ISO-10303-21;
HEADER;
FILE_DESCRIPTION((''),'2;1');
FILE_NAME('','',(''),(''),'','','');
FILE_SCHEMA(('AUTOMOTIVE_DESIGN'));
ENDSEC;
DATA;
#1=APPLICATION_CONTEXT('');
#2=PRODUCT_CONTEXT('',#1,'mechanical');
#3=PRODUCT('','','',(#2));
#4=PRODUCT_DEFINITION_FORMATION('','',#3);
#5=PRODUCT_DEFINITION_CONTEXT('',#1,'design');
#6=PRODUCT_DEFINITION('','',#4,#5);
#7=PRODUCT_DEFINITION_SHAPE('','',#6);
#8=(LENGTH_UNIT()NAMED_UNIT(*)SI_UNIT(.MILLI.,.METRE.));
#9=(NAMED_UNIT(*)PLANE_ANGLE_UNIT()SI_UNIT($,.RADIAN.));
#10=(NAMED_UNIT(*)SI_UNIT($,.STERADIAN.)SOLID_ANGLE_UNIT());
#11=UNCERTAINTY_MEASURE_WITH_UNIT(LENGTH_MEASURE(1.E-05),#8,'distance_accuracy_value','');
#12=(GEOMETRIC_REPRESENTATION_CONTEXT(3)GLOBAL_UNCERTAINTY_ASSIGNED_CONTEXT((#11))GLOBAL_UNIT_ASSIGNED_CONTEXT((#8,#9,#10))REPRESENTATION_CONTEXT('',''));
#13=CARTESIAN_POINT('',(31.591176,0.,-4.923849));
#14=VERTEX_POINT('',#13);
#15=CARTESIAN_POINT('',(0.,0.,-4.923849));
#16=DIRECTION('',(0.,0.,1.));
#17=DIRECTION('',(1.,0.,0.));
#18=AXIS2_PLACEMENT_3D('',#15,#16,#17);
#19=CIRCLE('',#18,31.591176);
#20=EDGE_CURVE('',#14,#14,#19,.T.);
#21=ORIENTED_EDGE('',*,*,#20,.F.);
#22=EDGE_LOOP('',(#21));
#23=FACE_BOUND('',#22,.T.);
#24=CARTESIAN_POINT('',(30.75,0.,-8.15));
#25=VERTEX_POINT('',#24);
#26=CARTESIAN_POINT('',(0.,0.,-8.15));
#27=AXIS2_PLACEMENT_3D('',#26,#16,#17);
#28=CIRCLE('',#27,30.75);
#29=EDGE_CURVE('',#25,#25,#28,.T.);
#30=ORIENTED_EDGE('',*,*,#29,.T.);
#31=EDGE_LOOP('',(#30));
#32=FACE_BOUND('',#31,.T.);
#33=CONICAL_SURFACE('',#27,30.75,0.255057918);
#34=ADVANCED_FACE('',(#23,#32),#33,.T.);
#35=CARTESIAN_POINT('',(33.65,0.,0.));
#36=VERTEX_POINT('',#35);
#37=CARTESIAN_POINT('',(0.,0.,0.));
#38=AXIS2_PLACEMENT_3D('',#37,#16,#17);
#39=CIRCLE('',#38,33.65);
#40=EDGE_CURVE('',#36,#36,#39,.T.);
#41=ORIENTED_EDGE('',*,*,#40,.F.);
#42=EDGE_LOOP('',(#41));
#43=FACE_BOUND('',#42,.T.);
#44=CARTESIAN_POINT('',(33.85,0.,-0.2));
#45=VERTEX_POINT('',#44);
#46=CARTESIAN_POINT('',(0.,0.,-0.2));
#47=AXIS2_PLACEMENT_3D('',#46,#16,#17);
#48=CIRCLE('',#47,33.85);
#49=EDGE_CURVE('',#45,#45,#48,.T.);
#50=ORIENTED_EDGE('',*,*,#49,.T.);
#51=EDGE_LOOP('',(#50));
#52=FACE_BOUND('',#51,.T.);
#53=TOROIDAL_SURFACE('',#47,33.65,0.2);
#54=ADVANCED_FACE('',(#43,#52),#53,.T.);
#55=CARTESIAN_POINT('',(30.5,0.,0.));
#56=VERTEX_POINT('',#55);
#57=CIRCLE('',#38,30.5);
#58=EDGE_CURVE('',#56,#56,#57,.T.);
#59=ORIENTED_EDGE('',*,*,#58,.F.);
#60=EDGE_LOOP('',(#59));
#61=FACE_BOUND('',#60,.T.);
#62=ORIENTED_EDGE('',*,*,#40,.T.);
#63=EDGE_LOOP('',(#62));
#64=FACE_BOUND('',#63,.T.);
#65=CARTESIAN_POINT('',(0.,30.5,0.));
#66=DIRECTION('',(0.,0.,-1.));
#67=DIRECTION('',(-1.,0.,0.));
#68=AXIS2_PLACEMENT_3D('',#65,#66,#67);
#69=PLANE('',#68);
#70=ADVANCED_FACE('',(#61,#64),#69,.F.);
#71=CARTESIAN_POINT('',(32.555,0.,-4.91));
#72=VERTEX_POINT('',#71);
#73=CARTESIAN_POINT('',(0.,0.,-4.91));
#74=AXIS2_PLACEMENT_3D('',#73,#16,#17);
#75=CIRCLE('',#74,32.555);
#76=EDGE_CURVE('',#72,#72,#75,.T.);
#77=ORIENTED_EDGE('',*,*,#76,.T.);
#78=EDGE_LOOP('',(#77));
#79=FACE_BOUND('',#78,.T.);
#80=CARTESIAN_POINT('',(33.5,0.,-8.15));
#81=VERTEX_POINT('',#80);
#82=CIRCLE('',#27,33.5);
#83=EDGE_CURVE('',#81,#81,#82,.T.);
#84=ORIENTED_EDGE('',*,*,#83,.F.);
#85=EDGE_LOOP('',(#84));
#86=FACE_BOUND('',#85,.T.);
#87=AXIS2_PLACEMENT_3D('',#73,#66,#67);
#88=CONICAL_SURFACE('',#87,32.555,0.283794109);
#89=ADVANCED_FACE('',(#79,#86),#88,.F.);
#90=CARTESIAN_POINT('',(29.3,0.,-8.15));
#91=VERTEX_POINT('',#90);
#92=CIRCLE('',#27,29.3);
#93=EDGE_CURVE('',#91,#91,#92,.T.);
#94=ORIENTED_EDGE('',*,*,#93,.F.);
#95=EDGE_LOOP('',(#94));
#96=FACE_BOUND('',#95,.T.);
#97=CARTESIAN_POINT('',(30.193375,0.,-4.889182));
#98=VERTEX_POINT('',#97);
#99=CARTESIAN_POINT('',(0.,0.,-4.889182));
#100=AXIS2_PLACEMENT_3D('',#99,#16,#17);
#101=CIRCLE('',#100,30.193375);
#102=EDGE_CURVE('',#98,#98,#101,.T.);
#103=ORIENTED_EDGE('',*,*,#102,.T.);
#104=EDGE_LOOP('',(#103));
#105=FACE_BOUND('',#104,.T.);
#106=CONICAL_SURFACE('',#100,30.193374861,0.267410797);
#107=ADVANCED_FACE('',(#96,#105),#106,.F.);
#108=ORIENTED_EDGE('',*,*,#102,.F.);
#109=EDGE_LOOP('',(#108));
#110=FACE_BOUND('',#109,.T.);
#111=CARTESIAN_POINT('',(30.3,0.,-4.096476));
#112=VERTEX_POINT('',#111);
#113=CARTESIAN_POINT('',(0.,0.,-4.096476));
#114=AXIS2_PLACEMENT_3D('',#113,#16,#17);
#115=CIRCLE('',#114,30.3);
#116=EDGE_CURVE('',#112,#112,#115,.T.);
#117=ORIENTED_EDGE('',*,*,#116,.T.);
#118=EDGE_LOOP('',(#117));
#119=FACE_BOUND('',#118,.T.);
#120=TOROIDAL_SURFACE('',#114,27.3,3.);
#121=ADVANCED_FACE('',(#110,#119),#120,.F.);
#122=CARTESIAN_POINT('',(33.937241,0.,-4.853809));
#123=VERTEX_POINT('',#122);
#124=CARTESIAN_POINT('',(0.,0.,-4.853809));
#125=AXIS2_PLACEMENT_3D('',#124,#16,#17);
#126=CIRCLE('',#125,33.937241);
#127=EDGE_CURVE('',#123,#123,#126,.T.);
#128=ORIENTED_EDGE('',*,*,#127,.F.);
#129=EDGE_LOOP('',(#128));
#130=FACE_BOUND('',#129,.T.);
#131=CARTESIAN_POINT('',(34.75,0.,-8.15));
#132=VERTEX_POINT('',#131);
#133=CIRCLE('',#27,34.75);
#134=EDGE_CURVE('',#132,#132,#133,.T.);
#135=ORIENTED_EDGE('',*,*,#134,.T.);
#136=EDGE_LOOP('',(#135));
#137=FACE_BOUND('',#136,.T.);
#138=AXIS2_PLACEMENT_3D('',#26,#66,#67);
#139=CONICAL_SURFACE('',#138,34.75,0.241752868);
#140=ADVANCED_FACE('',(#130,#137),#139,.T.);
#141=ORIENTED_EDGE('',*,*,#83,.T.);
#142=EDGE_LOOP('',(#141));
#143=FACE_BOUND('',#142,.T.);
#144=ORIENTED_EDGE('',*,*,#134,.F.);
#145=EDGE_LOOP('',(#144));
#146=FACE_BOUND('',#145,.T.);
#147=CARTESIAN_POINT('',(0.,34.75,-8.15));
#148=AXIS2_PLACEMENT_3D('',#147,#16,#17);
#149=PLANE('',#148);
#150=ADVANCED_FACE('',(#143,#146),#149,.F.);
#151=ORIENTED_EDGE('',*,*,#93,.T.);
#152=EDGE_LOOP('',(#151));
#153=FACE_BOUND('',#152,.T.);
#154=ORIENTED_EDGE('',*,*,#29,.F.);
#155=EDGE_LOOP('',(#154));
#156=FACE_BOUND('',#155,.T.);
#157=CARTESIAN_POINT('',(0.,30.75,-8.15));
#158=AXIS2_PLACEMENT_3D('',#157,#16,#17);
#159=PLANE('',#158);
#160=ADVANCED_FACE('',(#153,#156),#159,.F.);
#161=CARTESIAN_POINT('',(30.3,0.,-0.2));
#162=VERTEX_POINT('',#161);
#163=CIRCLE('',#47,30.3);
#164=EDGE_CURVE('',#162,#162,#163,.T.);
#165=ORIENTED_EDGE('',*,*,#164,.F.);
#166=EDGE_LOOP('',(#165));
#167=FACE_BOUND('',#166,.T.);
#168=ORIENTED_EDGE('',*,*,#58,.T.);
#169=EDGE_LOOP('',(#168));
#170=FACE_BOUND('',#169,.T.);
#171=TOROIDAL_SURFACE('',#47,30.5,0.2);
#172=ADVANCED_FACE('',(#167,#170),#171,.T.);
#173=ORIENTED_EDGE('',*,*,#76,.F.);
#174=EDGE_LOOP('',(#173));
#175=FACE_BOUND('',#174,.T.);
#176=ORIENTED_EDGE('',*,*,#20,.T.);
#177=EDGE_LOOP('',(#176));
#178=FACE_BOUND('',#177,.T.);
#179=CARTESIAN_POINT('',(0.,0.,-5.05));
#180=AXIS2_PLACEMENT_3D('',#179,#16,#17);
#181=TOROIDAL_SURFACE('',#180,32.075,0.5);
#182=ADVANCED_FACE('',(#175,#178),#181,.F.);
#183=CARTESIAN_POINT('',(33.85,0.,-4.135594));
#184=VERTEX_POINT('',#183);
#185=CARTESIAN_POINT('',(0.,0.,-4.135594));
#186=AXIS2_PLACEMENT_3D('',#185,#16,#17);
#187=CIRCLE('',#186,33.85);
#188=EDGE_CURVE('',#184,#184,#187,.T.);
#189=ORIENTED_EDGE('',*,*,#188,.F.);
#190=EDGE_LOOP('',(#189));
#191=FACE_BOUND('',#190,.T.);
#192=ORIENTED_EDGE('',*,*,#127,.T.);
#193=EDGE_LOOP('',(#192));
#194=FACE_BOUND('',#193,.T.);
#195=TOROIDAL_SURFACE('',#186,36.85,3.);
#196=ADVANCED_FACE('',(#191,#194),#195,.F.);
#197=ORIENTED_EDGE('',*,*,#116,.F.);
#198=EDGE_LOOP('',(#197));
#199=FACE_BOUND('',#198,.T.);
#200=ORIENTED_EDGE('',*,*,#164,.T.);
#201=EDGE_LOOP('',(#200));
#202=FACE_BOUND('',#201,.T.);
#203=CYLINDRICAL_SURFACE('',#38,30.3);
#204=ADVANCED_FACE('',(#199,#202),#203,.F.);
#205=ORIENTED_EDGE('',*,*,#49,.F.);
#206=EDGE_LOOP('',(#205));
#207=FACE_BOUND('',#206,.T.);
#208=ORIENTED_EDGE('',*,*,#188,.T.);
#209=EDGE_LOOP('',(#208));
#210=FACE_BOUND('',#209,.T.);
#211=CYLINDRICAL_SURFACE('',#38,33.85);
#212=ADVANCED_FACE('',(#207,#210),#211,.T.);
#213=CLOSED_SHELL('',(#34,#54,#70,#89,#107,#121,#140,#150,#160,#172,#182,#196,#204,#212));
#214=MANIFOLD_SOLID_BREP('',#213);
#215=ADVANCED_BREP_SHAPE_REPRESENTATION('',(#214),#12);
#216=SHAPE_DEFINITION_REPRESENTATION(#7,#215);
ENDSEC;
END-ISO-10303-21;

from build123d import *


with BuildPart() as part:
    # Sketch1 → Revolve1 (revolve)
    with BuildSketch(Plane(origin=(0, 0, 0), x_dir=(0, 0, -1), z_dir=(1, 0, 0)), mode=Mode.PRIVATE) as revolve1_sk:
        with BuildLine():
            Line((0, 30.5), (0, 33.65))
            ThreePointArc((0, 33.65), (0.058578644, 33.791421356), (0.2, 33.85))
            Line((0.2, 33.85), (4.135594176, 33.85))
            ThreePointArc((4.135594176, 33.85), (4.497341053, 33.871889996), (4.853808838, 33.937240535))
            Line((4.853808838, 33.937240535), (8.15, 34.75))
            Line((8.15, 34.75), (8.15, 33.5))
            Line((8.15, 33.5), (4.91, 32.555))
            ThreePointArc((4.91, 32.555), (4.55005161, 32.0678162), (4.923849273, 31.591175658))
            Line((4.923849273, 31.591175658), (8.15, 30.75))
            Line((8.15, 30.75), (8.15, 29.3))
            Line((8.15, 29.3), (4.889181759, 30.193374861))
            ThreePointArc((4.889181759, 30.193374861), (4.496398447, 30.273224225), (4.096476318, 30.3))
            Line((4.096476318, 30.3), (0.2, 30.3))
            ThreePointArc((0.2, 30.3), (0.058578644, 30.358578644), (0, 30.5))
        make_face()
    revolve(revolve1_sk.sketch.rotate(Axis((0, 0, 0), (0, 0, -1)), 90), axis=Axis((0, 0, 0), (0, 0, -1)))


solid = part.part
